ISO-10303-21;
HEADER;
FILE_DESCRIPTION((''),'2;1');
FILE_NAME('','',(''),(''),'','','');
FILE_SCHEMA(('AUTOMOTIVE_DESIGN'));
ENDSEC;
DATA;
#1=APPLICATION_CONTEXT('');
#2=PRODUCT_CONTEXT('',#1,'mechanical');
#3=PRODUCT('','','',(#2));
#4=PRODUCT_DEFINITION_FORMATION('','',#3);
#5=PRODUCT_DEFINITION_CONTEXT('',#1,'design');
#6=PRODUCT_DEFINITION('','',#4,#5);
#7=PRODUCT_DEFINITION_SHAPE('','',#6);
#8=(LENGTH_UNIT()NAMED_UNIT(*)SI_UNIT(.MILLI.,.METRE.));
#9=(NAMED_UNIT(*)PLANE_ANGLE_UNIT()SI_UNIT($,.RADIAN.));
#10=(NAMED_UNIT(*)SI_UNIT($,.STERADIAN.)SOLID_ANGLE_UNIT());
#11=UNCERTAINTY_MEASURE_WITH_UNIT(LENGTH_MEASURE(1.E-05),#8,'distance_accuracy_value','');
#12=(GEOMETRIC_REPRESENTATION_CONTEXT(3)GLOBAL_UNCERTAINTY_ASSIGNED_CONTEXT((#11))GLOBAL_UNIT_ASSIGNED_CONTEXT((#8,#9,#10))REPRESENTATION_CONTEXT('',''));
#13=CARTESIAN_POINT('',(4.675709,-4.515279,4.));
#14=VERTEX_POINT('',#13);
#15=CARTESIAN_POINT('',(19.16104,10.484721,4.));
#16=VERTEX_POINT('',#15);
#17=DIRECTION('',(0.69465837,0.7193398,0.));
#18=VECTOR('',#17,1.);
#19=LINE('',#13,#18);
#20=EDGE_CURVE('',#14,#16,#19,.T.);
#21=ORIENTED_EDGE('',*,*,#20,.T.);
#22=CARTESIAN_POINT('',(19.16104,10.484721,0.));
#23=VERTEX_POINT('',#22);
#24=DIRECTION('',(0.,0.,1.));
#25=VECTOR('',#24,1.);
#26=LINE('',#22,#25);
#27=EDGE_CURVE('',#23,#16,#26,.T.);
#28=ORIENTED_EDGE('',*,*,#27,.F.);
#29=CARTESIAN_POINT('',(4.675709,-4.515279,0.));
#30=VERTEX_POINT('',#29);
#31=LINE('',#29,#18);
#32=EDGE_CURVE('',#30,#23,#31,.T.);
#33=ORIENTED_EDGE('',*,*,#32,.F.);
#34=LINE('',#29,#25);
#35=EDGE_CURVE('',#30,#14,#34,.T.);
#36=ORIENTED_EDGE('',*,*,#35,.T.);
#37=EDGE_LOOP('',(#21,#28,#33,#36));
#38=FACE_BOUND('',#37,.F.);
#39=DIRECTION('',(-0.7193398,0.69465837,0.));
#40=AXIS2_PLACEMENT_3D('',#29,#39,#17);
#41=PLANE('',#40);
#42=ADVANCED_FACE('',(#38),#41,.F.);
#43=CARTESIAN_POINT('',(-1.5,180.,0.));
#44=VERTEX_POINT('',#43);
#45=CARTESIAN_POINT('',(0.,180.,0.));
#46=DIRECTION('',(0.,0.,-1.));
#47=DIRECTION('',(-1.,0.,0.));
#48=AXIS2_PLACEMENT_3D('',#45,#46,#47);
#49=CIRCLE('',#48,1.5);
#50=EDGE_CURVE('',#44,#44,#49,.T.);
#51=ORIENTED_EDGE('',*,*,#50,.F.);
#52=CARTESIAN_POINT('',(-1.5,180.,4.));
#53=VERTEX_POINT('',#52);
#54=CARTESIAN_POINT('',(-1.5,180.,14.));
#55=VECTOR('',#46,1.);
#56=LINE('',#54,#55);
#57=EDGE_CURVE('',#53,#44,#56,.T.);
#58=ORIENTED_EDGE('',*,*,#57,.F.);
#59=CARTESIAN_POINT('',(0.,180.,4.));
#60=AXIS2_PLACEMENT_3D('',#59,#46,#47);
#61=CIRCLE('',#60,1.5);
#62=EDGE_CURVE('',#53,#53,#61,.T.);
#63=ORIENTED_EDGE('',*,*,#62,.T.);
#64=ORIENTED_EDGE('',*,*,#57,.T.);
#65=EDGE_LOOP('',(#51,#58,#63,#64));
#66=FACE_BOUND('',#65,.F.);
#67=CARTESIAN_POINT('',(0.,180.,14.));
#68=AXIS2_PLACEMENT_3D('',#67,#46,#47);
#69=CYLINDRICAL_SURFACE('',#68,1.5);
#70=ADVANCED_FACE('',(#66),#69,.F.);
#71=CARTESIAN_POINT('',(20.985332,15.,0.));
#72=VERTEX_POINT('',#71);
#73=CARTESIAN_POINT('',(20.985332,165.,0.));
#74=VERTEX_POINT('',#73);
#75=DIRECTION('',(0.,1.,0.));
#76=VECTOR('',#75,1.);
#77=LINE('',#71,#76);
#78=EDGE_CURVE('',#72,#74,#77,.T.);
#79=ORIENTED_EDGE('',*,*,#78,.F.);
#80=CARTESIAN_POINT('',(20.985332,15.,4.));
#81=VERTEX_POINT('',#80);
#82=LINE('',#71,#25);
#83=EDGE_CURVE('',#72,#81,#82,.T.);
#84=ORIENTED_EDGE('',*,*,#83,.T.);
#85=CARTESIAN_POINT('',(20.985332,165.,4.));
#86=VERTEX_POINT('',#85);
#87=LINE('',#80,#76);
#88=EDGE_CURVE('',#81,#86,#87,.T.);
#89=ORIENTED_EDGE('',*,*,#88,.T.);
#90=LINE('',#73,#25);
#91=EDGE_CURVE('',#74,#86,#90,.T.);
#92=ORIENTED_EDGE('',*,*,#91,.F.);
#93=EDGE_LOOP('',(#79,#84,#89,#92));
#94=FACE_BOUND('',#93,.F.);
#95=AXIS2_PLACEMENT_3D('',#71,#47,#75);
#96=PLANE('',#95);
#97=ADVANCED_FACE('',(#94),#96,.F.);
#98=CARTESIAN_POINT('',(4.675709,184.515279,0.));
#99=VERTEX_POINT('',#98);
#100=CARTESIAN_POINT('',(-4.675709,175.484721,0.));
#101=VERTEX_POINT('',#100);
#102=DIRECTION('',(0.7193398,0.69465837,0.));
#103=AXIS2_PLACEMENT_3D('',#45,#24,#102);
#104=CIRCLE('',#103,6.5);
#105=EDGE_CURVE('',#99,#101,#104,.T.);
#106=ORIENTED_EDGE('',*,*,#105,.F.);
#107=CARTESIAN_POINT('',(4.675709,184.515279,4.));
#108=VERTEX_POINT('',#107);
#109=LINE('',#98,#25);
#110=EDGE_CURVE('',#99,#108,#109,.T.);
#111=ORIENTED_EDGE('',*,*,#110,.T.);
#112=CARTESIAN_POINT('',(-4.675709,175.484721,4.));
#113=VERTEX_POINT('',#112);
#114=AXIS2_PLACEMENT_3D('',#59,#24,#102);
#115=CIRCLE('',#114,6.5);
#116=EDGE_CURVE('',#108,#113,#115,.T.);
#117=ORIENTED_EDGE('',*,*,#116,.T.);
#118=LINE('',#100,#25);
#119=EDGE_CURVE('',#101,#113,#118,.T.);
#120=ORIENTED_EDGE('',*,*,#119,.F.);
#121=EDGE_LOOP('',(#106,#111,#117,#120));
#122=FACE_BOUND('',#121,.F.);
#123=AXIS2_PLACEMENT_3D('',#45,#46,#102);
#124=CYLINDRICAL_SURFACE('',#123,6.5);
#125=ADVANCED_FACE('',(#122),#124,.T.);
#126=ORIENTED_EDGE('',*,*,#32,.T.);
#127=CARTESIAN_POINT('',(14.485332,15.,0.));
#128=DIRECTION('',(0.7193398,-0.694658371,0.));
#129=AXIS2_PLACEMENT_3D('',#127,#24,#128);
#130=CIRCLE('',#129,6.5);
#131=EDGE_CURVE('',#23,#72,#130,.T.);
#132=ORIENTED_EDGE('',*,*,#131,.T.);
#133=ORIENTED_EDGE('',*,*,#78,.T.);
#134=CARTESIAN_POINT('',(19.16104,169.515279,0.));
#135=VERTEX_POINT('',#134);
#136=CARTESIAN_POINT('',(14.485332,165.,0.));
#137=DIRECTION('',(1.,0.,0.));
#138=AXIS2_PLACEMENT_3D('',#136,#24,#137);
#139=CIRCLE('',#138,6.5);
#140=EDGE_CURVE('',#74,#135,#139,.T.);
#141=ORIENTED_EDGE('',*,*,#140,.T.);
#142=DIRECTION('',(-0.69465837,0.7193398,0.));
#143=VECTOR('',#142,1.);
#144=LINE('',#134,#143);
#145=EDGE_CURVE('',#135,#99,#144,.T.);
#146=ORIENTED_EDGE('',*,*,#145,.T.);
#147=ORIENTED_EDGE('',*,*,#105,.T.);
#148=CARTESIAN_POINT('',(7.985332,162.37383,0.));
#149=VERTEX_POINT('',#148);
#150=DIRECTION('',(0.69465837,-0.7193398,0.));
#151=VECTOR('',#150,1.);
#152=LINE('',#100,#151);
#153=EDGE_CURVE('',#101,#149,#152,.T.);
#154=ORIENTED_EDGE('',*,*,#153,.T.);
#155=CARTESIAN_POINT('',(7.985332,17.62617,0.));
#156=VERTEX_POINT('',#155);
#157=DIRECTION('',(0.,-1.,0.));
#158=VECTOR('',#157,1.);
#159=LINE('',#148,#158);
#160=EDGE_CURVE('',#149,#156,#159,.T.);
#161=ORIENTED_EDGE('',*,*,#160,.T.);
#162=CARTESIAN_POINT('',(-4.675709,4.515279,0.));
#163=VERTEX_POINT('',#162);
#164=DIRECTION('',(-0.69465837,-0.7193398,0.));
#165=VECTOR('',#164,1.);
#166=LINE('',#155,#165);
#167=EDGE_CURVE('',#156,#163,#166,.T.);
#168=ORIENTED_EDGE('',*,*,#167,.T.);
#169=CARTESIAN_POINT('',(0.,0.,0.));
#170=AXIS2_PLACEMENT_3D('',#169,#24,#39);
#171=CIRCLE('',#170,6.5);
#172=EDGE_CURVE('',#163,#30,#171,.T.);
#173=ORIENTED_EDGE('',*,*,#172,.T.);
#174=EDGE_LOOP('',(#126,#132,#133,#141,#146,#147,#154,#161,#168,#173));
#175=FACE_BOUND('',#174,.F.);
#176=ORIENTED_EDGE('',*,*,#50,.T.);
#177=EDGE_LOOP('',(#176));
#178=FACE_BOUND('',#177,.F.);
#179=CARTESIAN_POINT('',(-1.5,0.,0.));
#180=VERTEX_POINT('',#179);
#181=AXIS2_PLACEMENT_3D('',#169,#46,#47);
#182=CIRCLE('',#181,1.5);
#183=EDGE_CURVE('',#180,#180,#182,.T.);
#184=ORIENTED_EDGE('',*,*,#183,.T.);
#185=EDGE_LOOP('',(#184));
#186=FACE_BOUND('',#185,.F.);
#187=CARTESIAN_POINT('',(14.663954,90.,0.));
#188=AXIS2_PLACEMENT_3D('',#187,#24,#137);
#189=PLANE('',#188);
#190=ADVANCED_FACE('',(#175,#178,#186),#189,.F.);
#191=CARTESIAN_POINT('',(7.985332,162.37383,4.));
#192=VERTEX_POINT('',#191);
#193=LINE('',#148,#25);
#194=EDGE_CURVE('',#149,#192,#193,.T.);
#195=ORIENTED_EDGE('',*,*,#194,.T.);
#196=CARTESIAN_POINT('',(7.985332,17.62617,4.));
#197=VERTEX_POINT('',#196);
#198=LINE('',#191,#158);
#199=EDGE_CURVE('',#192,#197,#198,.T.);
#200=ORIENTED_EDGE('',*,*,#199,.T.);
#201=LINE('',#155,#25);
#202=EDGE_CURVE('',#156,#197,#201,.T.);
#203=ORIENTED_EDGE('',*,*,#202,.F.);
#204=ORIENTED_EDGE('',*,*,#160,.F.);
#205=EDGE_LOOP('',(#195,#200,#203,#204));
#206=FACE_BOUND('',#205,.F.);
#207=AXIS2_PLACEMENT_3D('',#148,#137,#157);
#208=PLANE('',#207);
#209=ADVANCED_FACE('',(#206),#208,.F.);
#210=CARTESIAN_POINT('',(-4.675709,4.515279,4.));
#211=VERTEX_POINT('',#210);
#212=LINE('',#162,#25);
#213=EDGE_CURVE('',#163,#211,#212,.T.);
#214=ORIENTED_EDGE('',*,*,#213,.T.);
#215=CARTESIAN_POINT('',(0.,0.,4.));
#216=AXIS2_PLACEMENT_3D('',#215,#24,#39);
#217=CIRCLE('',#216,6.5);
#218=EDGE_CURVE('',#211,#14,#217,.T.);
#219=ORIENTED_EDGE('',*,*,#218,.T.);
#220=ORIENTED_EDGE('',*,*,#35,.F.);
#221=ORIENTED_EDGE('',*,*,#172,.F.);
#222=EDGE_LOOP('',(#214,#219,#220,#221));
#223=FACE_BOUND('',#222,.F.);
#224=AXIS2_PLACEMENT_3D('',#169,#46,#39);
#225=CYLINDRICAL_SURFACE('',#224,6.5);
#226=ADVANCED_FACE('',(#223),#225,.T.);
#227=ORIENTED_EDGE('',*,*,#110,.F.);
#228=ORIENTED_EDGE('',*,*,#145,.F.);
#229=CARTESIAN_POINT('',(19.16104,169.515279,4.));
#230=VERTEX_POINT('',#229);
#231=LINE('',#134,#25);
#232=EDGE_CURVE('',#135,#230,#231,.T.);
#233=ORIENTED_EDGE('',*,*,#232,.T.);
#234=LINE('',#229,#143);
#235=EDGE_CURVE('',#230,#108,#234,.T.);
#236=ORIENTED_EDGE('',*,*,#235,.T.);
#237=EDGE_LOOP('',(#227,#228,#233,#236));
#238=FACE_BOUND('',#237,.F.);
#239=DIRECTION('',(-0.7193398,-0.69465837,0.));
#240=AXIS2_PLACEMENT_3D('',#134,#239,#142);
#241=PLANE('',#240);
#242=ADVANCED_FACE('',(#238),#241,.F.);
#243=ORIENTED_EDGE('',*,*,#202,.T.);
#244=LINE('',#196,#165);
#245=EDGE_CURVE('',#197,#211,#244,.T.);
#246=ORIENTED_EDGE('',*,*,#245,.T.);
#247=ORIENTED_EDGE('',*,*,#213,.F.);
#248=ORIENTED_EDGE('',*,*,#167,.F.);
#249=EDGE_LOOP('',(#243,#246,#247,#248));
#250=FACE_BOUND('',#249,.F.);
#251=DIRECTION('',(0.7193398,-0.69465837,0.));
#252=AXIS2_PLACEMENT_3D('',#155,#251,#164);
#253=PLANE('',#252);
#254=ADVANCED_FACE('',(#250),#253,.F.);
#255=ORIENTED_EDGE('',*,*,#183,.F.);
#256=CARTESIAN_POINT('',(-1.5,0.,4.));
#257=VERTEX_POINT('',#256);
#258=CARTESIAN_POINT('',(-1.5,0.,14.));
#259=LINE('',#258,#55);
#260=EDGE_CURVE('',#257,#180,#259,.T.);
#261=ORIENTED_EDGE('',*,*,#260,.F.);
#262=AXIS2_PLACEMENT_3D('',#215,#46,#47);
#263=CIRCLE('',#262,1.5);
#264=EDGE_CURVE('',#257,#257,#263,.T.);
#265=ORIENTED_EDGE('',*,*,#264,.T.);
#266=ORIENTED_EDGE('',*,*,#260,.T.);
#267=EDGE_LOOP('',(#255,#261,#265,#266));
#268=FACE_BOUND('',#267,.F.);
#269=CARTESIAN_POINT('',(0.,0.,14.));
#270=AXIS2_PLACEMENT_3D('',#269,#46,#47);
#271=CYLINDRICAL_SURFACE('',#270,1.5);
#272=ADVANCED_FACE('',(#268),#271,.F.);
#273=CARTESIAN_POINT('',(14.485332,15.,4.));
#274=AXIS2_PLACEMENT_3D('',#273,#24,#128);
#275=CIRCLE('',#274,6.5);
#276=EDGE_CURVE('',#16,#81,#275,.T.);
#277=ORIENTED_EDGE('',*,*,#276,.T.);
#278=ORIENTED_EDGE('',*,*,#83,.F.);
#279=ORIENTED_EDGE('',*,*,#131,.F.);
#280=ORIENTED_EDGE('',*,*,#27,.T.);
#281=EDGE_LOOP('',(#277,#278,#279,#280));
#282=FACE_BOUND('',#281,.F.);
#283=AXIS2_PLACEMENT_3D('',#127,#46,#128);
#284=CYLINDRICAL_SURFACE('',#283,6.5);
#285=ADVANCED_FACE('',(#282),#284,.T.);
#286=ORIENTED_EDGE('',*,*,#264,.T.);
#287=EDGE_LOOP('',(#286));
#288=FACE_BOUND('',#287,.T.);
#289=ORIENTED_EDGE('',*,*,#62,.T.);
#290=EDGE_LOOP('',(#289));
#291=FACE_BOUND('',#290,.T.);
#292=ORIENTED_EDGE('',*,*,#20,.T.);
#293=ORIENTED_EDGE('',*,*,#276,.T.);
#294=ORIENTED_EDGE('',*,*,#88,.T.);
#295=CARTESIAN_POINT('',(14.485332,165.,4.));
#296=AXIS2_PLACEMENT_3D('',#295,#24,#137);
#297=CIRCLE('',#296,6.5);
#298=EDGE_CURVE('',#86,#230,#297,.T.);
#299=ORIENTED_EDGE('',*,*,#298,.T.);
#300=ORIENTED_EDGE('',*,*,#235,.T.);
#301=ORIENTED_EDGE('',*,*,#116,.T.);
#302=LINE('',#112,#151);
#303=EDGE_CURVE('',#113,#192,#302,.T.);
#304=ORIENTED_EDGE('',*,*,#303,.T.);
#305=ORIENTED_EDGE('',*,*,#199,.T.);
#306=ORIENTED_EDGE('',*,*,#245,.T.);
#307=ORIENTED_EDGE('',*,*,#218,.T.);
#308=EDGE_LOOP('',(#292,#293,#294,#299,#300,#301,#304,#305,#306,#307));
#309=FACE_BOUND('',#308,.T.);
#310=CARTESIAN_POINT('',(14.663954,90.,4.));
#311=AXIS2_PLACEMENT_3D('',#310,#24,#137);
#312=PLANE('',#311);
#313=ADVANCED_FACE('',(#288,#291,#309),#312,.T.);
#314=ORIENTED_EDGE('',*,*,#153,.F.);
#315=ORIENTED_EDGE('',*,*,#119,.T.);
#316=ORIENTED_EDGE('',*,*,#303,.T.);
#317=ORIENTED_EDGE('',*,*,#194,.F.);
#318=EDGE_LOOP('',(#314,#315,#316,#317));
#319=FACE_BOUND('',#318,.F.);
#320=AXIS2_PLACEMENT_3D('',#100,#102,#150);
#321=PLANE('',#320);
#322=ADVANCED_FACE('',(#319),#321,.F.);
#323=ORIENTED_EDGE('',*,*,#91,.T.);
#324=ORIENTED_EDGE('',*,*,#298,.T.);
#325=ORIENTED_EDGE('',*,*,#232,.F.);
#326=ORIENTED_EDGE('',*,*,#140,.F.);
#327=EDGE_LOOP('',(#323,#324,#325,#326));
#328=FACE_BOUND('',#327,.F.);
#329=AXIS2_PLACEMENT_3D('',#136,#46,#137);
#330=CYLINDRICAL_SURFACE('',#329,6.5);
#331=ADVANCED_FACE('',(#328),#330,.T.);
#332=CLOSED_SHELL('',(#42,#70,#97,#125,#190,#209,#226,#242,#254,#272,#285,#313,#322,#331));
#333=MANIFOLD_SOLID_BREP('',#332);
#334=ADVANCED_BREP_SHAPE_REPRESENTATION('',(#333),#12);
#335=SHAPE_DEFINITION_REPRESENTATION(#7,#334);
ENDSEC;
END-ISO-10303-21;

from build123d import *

# Parameters (mm, degrees)
EXTRUDE_1_DEPTH        = 4
HOLE_WIZARD_M3_1_D     = 3
HOLE_WIZARD_M3_1_DEPTH = 10
HOLE_WIZARD_M3_1_TIP   = 0.901290929


with BuildPart() as part:
    # 草图1 → 凸台-拉伸1 (new body)
    with BuildSketch(Plane.XY):
        with BuildLine():
            Line((7.985331622, 162.373829532), (7.985331622, 17.626170468))
            Line((7.985331622, 17.626170468), (9.80962292, 19.515279408))
            ThreePointArc((9.80962292, 19.515279408), (16.920274479, 21.026695055), (20.985331622, 15))
            Line((20.985331622, 15), (20.985331622, 165))
            ThreePointArc((20.985331622, 165), (16.920274479, 158.973304945), (9.80962292, 160.484720592))
            Line((9.80962292, 160.484720592), (7.985331622, 162.373829532))
        make_face()
        with BuildLine():
            Line((-4.675708702, 175.484720592), (7.985331622, 162.373829532))
            Line((7.985331622, 162.373829532), (7.985331622, 165))
            ThreePointArc((7.985331622, 165), (12.050388765, 171.026695055), (19.161040324, 169.515279408))
            Line((19.161040324, 169.515279408), (4.675708702, 184.515279408))
            ThreePointArc((4.675708702, 184.515279408), (-4.515279408, 184.675708702), (-4.675708702, 175.484720592))
        make_face()
        with BuildLine():
            Line((7.985331622, 165), (7.985331622, 162.373829532))
            Line((7.985331622, 162.373829532), (9.80962292, 160.484720592))
            ThreePointArc((9.80962292, 160.484720592), (16.920274479, 158.973304945), (20.985331622, 165))
            ThreePointArc((20.985331622, 165), (20.512026677, 167.434942857), (19.161040324, 169.515279408))
            ThreePointArc((19.161040324, 169.515279408), (12.050388765, 171.026695055), (7.985331622, 165))
        make_face()
        with BuildLine():
            Line((9.80962292, 19.515279408), (7.985331622, 17.626170468))
            Line((7.985331622, 17.626170468), (7.985331622, 15))
            ThreePointArc((7.985331622, 15), (12.050388765, 8.973304945), (19.161040324, 10.484720592))
            ThreePointArc((19.161040324, 10.484720592), (20.512026677, 12.565057143), (20.985331622, 15))
            ThreePointArc((20.985331622, 15), (16.920274479, 21.026695055), (9.80962292, 19.515279408))
        make_face()
        with BuildLine():
            Line((7.985331622, 17.626170468), (-4.675708702, 4.515279408))
            ThreePointArc((-4.675708702, 4.515279408), (-4.515279408, -4.675708702), (4.675708702, -4.515279408))
            Line((4.675708702, -4.515279408), (19.161040324, 10.484720592))
            ThreePointArc((19.161040324, 10.484720592), (12.050388765, 8.973304945), (7.985331622, 15))
            Line((7.985331622, 15), (7.985331622, 17.626170468))
        make_face()
    extrude(amount=EXTRUDE_1_DEPTH)

    # M3 螺纹孔1
    with Locations(Plane.XY.offset(4)):
        with Locations((0, 0), (0, 180)):
            Hole(HOLE_WIZARD_M3_1_D / 2, depth=HOLE_WIZARD_M3_1_DEPTH)
            with Locations((0, 0, -(HOLE_WIZARD_M3_1_DEPTH + HOLE_WIZARD_M3_1_TIP / 2))):  # 118° drill point
                Cone(0, HOLE_WIZARD_M3_1_D / 2, HOLE_WIZARD_M3_1_TIP, mode=Mode.SUBTRACT)


solid = part.part
